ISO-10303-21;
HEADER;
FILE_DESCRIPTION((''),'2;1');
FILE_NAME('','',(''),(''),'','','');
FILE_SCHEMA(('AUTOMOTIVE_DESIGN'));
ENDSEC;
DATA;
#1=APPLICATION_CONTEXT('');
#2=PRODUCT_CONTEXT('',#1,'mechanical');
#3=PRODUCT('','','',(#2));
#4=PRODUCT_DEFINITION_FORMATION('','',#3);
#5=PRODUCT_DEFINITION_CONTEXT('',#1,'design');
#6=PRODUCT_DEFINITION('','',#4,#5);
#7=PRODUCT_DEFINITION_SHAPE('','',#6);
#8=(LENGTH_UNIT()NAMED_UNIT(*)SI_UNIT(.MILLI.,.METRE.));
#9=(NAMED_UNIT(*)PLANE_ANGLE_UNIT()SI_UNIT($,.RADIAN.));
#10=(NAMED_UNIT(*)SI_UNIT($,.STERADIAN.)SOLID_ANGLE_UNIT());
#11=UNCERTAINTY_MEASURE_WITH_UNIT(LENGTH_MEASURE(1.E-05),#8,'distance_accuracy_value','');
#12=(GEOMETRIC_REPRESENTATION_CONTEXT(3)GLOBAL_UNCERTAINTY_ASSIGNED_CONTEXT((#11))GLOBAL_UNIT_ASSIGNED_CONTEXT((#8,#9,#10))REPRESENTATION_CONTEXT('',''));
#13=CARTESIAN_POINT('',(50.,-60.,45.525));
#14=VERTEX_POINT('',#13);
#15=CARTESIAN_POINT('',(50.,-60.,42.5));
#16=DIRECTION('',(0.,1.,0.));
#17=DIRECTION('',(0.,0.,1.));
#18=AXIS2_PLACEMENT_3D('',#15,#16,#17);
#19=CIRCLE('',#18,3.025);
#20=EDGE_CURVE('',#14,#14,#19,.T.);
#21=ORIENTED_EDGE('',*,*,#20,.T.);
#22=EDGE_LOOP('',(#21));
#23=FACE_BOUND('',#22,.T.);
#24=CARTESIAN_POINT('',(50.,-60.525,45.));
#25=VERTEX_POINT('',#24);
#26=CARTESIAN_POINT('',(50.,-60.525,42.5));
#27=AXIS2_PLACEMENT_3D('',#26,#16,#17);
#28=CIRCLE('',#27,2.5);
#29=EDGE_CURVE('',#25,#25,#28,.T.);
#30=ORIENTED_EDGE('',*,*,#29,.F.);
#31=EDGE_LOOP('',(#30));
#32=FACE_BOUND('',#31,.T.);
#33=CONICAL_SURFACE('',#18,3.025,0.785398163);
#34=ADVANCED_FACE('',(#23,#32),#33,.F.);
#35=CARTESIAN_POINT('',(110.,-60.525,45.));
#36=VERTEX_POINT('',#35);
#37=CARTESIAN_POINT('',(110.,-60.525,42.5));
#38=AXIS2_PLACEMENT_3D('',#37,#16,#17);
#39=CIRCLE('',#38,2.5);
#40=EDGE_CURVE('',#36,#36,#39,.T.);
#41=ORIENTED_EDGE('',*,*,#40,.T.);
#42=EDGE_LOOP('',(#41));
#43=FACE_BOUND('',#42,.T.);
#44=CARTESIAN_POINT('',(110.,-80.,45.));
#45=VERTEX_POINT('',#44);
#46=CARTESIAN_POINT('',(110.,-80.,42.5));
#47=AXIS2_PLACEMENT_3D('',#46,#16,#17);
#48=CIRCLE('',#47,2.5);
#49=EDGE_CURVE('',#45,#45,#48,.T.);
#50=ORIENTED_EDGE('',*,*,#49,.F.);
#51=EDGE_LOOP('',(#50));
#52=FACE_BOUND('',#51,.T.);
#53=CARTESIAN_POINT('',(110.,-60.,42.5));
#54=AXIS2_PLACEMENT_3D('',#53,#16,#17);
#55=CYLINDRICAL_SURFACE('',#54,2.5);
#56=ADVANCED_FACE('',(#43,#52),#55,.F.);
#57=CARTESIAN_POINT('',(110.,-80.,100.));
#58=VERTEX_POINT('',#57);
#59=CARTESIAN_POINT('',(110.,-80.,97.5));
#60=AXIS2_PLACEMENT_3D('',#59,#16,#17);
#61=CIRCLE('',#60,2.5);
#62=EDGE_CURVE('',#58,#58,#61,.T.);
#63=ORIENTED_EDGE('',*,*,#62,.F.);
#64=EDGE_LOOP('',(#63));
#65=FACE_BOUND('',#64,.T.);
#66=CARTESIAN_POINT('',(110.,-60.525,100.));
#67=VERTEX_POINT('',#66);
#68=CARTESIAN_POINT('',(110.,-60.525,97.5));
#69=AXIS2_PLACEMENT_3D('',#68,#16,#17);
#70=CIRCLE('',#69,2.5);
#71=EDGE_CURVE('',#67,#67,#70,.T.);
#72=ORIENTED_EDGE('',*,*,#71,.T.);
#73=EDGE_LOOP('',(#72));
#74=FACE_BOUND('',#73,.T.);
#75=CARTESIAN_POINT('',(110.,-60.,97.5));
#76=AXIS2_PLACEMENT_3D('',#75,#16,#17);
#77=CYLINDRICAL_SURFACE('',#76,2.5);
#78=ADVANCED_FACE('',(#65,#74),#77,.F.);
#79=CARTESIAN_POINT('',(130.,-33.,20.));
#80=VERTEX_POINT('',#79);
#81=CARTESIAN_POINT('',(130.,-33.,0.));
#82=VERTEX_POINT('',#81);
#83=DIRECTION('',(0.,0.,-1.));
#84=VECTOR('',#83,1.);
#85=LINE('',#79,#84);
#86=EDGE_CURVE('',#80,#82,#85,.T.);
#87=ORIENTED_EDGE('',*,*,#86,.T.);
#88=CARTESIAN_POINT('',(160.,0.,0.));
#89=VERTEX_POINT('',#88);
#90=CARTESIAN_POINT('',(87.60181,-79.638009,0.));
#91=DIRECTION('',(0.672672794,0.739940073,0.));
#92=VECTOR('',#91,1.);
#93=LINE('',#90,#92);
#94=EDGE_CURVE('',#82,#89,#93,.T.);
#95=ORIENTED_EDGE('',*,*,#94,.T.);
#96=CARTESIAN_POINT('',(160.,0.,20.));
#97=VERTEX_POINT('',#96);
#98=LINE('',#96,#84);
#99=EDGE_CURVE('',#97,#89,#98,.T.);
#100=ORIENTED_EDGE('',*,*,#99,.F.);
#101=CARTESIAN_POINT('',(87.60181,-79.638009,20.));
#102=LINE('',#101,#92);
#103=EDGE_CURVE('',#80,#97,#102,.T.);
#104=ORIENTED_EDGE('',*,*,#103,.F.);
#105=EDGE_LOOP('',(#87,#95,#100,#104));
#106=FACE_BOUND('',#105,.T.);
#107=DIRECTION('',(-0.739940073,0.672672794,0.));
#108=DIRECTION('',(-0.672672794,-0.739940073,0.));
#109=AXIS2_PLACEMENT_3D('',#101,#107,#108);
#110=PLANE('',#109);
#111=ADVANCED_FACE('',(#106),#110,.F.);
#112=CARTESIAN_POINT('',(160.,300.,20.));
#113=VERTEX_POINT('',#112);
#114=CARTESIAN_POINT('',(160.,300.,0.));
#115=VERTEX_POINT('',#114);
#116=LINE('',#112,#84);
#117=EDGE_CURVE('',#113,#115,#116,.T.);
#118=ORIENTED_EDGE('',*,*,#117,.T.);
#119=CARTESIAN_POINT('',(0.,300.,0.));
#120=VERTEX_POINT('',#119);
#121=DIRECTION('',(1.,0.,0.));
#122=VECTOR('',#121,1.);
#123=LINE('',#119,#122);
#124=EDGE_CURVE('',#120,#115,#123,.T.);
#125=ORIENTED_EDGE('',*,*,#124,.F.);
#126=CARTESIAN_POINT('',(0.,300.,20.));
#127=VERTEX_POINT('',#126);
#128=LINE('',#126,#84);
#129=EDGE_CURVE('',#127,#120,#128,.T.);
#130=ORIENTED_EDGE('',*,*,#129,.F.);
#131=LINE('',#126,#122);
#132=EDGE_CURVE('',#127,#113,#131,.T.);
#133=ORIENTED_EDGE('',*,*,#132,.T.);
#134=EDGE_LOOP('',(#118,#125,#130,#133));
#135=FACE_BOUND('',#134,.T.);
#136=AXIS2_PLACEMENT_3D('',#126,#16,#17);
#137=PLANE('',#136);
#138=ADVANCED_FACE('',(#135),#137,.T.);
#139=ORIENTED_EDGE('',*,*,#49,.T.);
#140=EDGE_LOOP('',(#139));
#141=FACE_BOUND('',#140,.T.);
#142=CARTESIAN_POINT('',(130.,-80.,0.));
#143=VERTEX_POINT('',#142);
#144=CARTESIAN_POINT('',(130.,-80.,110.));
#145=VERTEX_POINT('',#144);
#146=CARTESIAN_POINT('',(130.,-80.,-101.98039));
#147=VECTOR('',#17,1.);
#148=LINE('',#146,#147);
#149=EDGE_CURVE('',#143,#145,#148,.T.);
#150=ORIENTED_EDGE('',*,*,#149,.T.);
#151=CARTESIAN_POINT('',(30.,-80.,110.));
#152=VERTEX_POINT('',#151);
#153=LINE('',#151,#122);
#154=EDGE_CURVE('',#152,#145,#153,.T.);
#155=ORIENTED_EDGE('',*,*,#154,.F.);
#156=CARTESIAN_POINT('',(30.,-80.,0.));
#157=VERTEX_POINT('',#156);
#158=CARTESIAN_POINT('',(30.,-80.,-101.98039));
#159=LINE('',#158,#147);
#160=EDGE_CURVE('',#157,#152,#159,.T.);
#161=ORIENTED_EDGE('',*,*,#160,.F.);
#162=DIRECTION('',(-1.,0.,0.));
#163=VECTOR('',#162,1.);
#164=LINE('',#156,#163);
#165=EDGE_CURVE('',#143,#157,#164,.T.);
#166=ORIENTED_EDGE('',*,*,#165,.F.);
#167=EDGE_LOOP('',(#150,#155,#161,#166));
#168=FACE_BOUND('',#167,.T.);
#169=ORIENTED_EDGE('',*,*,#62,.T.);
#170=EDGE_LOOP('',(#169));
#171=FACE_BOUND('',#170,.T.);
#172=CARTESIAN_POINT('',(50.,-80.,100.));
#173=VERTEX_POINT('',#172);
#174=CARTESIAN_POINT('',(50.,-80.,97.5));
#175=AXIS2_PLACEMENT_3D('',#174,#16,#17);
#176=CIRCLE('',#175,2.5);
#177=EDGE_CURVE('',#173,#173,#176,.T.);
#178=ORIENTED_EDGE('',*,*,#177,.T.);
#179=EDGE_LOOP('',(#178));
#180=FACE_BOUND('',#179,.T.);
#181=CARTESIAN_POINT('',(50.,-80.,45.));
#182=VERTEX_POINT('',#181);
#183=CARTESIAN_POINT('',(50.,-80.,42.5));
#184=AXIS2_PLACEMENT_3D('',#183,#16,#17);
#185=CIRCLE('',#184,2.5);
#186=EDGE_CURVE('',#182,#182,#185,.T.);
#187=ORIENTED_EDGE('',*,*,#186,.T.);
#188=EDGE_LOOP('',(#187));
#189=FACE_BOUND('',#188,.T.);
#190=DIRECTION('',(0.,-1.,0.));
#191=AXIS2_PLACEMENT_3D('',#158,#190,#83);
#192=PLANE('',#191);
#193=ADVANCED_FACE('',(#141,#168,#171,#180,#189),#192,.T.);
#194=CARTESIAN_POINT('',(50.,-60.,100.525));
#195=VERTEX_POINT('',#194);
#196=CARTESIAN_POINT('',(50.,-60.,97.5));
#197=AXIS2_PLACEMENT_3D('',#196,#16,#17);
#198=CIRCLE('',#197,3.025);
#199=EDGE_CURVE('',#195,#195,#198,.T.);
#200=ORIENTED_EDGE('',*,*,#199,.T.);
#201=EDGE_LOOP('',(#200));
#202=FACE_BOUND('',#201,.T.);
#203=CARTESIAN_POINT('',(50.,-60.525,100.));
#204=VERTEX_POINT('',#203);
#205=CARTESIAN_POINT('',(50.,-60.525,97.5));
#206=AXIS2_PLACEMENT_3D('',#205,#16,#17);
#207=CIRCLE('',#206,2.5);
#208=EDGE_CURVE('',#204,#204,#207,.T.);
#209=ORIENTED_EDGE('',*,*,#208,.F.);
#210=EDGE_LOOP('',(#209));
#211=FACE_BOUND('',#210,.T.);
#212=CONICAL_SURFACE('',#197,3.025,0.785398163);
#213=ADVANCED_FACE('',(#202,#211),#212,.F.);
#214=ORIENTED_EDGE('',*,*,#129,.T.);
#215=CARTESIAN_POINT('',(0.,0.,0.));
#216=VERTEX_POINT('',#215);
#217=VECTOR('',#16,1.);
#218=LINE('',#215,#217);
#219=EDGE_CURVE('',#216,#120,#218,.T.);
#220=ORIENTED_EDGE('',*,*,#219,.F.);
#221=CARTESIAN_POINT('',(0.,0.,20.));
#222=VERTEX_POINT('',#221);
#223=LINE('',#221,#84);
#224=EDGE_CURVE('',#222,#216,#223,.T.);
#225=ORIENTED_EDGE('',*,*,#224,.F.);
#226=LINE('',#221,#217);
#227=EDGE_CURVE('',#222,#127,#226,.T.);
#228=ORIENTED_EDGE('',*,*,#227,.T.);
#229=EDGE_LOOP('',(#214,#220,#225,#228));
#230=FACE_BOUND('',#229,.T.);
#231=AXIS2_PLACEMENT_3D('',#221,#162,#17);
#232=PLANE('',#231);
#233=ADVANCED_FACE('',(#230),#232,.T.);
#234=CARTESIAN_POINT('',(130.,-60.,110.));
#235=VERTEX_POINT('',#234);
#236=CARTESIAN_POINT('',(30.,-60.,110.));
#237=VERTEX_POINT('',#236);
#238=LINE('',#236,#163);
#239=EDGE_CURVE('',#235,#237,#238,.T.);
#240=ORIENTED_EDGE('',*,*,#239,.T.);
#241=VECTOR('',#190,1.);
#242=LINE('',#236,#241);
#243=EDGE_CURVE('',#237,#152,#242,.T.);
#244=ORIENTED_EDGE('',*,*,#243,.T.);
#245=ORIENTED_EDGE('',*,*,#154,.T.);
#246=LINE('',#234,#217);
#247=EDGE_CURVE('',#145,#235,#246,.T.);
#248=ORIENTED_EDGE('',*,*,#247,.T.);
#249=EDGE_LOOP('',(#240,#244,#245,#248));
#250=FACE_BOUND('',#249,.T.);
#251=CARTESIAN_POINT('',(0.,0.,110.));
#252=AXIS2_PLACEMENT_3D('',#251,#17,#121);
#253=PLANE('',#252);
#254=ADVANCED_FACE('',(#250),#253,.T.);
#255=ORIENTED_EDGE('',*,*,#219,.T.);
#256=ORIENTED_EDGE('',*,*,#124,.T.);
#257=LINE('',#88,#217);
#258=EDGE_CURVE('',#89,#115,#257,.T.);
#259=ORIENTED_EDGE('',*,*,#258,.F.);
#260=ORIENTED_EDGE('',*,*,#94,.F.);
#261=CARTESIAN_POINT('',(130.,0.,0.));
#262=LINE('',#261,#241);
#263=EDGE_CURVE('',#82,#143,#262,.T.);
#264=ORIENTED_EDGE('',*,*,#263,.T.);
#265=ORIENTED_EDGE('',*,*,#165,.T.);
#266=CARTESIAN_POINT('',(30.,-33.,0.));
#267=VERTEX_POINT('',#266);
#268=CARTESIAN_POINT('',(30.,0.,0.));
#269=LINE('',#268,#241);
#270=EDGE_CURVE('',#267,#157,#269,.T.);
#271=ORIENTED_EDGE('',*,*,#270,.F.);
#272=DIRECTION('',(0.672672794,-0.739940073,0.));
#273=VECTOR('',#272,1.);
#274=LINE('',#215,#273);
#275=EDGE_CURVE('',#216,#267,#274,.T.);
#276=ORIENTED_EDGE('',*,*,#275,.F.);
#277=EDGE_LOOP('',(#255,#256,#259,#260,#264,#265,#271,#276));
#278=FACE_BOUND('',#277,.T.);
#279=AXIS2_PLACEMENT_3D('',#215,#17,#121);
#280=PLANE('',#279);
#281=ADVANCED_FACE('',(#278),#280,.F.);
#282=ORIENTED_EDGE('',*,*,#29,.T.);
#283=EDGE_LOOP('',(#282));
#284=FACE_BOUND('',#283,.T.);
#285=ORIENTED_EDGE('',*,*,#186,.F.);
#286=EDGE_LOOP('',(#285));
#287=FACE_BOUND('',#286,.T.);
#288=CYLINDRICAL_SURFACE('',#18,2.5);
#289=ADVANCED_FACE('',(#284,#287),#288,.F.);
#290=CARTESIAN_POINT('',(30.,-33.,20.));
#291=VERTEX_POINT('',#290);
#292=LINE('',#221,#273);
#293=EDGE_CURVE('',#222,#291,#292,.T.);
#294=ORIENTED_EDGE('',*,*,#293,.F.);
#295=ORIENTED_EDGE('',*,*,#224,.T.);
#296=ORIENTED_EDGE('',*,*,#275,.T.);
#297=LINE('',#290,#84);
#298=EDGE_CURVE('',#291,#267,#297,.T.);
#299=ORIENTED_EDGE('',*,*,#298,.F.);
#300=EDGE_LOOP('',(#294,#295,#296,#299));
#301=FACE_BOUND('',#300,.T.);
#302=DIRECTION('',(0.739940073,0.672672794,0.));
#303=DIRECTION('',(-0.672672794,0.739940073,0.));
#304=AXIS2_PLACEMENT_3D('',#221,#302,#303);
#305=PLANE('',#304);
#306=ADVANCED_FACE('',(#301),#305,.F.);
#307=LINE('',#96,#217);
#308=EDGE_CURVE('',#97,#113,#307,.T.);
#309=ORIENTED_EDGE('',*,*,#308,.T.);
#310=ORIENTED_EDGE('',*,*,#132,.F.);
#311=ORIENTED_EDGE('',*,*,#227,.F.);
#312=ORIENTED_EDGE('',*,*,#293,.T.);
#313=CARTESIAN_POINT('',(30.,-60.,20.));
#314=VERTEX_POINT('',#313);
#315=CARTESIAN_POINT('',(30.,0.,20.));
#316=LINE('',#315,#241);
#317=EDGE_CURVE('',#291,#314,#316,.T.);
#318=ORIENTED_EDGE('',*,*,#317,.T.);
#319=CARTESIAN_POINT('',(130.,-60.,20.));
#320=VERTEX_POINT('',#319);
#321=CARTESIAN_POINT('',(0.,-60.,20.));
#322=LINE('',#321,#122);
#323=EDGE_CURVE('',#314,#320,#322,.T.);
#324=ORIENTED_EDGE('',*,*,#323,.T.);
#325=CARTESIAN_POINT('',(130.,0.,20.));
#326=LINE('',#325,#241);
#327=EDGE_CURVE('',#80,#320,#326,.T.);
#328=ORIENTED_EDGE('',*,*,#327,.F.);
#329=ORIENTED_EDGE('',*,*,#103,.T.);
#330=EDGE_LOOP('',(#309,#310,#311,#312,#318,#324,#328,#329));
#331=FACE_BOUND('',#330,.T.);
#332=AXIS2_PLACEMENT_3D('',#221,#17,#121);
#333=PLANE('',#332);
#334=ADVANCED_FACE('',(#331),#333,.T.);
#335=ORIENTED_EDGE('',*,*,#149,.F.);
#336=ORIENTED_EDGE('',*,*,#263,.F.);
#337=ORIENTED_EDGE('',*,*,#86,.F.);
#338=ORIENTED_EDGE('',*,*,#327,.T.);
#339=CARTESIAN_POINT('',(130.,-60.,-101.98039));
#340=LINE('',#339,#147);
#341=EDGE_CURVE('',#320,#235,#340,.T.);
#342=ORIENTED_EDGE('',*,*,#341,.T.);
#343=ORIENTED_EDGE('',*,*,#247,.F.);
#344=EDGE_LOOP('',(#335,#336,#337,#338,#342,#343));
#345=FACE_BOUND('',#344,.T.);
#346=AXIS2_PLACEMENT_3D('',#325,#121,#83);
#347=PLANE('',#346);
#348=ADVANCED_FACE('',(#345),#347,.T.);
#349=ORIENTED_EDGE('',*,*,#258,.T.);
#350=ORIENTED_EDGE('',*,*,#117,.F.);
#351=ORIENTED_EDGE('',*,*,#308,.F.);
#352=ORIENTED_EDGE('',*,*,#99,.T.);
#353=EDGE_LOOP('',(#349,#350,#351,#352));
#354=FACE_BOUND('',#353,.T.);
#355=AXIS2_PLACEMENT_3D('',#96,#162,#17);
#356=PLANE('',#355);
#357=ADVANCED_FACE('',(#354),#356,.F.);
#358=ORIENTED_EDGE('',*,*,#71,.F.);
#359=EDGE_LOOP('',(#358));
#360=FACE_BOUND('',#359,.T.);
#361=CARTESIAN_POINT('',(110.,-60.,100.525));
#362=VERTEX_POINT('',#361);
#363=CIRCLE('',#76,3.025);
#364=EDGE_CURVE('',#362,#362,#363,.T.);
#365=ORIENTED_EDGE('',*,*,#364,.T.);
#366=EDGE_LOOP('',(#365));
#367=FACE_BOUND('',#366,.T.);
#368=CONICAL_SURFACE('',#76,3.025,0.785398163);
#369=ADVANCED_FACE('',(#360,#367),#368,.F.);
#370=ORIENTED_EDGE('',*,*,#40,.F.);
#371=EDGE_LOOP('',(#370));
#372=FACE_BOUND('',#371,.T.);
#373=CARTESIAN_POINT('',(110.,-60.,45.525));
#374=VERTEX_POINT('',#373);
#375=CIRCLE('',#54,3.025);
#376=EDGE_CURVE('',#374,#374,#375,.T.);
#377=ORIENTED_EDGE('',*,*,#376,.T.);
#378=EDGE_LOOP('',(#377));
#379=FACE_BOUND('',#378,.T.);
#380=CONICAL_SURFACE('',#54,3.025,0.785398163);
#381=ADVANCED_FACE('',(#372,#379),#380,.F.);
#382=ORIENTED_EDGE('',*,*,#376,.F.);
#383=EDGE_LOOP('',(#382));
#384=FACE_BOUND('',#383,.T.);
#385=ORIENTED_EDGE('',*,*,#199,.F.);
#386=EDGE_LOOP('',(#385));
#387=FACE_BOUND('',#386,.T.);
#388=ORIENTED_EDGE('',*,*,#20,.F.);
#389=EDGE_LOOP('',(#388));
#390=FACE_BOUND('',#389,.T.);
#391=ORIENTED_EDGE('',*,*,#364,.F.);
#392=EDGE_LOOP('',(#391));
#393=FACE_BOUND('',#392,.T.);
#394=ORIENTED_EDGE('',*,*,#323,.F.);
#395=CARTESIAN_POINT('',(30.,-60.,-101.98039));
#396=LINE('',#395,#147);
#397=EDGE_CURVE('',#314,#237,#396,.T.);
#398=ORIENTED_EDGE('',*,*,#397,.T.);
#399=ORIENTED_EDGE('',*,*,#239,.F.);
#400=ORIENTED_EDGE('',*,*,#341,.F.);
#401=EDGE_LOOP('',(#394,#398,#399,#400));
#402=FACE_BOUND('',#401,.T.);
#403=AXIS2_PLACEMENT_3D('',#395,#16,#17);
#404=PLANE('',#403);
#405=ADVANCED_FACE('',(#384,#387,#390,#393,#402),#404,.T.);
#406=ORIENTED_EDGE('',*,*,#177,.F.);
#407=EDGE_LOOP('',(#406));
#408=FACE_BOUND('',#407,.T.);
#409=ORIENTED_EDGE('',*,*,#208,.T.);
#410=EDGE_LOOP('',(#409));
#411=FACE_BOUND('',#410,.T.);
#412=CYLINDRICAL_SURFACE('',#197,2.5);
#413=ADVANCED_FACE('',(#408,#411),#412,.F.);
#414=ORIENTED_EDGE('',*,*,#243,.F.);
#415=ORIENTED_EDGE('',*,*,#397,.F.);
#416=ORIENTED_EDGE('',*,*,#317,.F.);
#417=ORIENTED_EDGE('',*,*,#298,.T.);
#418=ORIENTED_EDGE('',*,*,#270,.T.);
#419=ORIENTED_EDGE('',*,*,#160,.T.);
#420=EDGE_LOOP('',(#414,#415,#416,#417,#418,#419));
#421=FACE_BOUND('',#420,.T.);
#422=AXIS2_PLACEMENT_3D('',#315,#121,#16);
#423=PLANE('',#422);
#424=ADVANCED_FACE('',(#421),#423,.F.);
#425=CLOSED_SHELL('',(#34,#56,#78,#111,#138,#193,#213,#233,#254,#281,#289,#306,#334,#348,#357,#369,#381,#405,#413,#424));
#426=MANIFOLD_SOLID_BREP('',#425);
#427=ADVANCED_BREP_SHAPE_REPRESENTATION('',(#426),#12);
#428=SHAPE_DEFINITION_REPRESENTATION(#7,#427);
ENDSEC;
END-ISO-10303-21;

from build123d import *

# Parameters (mm, degrees)
SKIZZE1_W                            = 160
SKIZZE1_H                            = 300
SKIZZE1_W_2                          = 100
SKIZZE1_H_2                          = 27
AUFSATZ_LINEAR_AUSTRAGEN1_DEPTH      = 20
SKIZZE2_W                            = 100
SKIZZE2_H                            = 20
AUFSATZ_LINEAR_AUSTRAGEN2_DEPTH      = 90
AUFSATZ_LINEAR_AUSTRAGEN2_DEPTH_BACK = 20
M6_GEWINDEBOHRUNG1_D                 = 5
M6_GEWINDEBOHRUNG1_CSINK_D           = 6.05
M6_GEWINDEBOHRUNG1_CSINK_ANGLE       = 90


with BuildPart() as part:
    # Skizze1 → Aufsatz-Linear austragen1 (new body)
    with BuildSketch(Plane.XY):
        with Locations((80, 150)):
            Rectangle(SKIZZE1_W, SKIZZE1_H)
        Polygon((0, 0), (160, 0), (130, -33), (30, -33), align=None)
        with Locations((80, -46.5)):
            Rectangle(SKIZZE1_W_2, SKIZZE1_H_2)
    extrude(amount=AUFSATZ_LINEAR_AUSTRAGEN1_DEPTH)

    # Skizze2 → Aufsatz-Linear austragen2 (add, two sides)
    with BuildSketch(Plane.XY.offset(20)) as aufsatz_linear_austragen2_sk:
        with Locations((80, -70)):
            Rectangle(SKIZZE2_W, SKIZZE2_H)
    extrude(amount=AUFSATZ_LINEAR_AUSTRAGEN2_DEPTH)
    extrude(aufsatz_linear_austragen2_sk.sketch, amount=-AUFSATZ_LINEAR_AUSTRAGEN2_DEPTH_BACK)

    # M6 Gewindebohrung1 (through all)
    with Locations(Plane(origin=(0, -60, 0), x_dir=(1, 0, 0), z_dir=(0, 1, 0))):
        with Locations((50, -97.5), (110, -97.5), (110, -42.5), (50, -42.5)):
            CounterSinkHole(M6_GEWINDEBOHRUNG1_D / 2, M6_GEWINDEBOHRUNG1_CSINK_D / 2, counter_sink_angle=M6_GEWINDEBOHRUNG1_CSINK_ANGLE)


solid = part.part
